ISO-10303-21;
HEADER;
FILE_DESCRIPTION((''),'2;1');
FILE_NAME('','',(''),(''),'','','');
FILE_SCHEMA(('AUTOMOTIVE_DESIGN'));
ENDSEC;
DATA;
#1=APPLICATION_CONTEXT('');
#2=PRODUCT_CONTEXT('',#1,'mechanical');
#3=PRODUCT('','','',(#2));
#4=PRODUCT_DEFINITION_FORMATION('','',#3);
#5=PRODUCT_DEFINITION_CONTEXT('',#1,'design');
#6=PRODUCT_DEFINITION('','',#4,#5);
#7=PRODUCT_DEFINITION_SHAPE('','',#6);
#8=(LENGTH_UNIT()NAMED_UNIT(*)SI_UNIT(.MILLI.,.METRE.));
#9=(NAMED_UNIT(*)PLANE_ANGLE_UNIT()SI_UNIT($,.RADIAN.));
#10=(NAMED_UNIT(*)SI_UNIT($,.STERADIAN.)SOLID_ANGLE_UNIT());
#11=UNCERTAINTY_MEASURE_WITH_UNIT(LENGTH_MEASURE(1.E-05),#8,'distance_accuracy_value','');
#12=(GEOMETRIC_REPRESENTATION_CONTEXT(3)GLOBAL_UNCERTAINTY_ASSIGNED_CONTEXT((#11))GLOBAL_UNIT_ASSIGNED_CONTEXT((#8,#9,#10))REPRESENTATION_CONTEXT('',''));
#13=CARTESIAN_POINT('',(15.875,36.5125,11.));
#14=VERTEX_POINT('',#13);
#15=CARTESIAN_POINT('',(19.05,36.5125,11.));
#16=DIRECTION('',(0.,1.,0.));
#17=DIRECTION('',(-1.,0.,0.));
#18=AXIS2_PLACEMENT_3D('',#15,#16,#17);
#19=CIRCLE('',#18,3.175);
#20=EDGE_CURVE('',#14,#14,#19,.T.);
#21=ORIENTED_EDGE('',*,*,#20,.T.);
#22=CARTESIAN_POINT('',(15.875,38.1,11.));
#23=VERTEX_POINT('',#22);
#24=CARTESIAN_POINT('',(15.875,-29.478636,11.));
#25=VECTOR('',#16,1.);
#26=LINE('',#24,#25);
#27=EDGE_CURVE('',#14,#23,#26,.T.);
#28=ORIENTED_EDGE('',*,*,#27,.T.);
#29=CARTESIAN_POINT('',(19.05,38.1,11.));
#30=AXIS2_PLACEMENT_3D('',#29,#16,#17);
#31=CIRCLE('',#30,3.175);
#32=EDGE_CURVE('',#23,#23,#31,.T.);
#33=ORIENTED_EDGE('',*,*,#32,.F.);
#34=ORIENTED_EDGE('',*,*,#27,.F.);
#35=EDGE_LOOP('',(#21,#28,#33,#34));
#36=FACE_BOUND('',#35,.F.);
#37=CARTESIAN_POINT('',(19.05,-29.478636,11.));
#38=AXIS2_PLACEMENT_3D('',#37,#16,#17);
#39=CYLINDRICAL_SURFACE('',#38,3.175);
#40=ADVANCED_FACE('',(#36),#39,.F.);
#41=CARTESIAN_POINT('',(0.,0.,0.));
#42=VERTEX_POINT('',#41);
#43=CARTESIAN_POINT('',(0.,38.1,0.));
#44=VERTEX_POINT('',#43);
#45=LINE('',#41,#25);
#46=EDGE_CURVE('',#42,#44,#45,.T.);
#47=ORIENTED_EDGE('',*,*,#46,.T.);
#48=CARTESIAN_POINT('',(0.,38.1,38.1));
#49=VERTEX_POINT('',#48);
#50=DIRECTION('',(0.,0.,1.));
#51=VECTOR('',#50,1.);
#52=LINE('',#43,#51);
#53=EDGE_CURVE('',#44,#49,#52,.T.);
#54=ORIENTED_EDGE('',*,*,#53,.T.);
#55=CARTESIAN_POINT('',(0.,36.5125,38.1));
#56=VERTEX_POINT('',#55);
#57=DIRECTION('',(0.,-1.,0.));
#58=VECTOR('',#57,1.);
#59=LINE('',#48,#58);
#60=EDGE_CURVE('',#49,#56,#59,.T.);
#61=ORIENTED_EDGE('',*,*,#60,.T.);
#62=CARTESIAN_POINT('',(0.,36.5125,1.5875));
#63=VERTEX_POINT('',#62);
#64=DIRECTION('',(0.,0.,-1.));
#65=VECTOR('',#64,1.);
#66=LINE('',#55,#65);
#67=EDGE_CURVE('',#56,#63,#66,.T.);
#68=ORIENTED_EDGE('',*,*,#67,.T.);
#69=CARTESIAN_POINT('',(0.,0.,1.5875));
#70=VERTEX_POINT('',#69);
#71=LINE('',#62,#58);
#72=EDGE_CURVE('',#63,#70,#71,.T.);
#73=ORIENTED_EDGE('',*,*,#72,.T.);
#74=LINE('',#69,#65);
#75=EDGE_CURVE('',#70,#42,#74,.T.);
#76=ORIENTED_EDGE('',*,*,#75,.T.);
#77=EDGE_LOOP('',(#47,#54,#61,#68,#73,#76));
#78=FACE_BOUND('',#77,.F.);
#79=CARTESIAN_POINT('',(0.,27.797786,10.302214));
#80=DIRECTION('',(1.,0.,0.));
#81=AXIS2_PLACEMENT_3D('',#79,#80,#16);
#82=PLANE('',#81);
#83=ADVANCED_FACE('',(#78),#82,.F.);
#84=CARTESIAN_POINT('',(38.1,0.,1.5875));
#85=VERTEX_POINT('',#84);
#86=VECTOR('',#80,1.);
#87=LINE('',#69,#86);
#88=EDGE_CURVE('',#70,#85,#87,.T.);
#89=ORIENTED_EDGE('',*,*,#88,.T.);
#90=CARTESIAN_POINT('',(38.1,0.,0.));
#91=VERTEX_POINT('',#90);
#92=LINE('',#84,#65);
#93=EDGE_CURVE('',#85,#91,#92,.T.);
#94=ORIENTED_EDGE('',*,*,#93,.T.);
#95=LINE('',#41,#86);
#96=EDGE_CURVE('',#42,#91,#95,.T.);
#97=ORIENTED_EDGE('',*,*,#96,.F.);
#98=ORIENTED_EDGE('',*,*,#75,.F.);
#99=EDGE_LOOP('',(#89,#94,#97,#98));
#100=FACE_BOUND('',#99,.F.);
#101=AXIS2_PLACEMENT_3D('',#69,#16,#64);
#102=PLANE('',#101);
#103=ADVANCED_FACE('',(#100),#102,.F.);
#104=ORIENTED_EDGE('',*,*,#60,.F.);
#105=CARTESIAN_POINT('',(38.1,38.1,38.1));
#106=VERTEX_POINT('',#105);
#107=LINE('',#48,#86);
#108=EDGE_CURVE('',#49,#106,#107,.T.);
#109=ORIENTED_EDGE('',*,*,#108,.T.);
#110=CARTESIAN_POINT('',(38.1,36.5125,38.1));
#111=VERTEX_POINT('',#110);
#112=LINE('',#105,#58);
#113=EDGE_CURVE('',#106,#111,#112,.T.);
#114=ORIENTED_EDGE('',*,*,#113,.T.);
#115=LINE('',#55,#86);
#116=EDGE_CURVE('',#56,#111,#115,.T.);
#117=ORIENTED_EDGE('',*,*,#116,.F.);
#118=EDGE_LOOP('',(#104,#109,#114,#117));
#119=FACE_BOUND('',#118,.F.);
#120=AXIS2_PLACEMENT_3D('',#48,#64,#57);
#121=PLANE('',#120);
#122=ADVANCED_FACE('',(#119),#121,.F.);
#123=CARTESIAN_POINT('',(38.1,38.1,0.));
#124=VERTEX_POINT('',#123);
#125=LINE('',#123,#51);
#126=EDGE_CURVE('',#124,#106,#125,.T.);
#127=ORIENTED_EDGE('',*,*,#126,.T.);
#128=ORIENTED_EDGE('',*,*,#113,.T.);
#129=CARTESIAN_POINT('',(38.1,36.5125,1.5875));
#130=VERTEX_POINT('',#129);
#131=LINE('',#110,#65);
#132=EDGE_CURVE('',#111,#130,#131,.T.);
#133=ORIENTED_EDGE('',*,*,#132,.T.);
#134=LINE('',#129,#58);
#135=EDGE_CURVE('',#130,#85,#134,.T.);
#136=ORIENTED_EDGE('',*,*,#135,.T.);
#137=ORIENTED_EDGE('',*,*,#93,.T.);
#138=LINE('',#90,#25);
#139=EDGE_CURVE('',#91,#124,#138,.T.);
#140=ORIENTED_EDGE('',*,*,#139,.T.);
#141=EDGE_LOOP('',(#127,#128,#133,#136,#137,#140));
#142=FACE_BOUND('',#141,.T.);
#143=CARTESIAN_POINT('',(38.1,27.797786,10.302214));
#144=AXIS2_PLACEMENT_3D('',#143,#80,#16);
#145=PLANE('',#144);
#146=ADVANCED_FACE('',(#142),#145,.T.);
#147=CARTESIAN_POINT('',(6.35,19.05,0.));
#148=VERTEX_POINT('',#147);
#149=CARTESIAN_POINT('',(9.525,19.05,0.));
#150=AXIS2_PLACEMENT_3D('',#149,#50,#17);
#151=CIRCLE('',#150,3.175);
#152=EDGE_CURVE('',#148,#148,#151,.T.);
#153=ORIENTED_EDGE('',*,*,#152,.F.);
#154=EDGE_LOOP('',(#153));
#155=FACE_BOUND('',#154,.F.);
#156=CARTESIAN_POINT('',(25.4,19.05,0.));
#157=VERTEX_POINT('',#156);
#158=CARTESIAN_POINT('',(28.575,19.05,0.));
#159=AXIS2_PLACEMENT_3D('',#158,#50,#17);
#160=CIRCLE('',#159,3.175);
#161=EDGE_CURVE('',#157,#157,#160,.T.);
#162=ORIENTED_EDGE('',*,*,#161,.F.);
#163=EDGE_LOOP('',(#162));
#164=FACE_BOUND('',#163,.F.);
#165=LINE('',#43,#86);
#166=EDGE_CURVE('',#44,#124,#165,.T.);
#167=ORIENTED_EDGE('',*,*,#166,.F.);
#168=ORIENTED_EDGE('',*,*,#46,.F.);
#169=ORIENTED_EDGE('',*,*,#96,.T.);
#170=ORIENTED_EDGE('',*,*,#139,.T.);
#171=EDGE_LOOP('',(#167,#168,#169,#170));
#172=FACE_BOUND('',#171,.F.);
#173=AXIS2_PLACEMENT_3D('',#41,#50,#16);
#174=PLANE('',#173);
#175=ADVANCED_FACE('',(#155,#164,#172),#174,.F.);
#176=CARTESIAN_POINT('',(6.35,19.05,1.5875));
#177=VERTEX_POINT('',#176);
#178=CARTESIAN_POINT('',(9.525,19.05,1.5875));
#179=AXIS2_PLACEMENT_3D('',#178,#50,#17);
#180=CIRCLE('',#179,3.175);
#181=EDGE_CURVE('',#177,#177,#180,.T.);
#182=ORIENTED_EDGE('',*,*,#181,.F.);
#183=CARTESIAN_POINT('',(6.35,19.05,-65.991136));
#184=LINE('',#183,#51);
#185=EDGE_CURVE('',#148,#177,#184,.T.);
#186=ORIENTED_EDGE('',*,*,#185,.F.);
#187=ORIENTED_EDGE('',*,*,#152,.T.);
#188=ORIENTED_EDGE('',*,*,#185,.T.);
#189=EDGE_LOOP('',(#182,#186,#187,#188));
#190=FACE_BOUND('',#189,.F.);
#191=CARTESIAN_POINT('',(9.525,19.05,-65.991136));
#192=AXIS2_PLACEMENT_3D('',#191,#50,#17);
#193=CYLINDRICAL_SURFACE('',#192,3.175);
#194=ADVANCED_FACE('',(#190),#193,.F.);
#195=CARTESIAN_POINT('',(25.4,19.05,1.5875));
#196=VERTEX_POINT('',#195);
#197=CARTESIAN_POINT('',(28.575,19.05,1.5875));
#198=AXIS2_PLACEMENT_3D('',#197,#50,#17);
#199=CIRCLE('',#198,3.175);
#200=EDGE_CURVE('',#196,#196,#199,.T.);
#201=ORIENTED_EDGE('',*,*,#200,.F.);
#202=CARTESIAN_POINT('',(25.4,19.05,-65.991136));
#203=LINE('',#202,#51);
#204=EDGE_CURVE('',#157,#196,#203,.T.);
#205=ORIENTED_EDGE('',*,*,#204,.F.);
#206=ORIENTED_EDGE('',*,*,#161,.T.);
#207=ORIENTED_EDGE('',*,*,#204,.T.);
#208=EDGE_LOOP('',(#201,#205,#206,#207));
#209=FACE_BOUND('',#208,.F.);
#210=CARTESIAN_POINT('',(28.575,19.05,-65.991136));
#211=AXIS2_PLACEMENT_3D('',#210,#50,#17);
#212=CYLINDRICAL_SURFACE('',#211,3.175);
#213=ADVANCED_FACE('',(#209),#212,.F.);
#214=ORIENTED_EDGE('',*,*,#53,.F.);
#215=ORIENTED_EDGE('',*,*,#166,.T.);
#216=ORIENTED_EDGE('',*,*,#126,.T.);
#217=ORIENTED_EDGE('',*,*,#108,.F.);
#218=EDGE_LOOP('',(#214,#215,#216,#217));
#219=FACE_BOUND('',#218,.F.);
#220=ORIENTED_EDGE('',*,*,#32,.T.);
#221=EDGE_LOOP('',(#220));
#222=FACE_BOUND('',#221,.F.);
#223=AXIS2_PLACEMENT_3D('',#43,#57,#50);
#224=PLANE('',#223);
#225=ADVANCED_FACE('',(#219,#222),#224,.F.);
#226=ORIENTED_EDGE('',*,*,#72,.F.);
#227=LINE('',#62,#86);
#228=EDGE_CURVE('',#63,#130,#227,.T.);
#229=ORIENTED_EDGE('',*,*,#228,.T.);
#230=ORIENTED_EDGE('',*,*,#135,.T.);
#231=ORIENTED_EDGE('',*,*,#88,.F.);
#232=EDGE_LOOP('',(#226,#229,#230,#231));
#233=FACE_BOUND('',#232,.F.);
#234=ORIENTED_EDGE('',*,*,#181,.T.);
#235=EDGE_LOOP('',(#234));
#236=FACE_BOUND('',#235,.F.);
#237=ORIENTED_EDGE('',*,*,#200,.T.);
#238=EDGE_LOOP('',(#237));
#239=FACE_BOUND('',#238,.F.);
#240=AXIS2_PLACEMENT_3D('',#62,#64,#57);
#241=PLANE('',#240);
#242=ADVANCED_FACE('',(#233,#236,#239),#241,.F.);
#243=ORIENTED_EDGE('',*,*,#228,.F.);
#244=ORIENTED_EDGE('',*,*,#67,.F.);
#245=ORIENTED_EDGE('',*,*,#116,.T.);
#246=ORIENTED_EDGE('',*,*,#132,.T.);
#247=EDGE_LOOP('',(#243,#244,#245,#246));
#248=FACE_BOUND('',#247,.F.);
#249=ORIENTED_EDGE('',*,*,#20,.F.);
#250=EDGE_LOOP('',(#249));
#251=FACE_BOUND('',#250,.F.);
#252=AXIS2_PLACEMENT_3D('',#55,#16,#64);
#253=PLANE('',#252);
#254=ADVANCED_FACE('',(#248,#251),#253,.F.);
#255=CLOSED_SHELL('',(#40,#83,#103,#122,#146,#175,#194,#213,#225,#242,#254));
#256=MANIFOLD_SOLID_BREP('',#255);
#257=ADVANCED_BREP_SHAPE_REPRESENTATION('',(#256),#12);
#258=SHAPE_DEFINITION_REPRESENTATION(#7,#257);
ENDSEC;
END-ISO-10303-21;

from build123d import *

# Parameters (mm, degrees)
F1_DEPTH = 38.1
F3_D     = 6.35
F5_D     = 6.35


with BuildPart() as f1:
    # F0 (on Right) → F1 (new body)
    with BuildSketch(Plane.YZ):
        Polygon((0, 1.5875), (0, 0), (38.1, 0), (38.1, 1.5875), (38.1, 38.1), (36.5125, 38.1), (36.5125, 1.5875), align=None)
    extrude(amount=F1_DEPTH)

    # F3 (through all)
    with Locations(Plane.XZ.offset(-36.5125)):
        with Locations((19.05, 11)):
            Hole(F3_D / 2)

    # F5 (through all)
    with Locations(Plane(origin=(0, 0, 0), x_dir=(1, 0, 0), z_dir=(0, 0, -1))):
        with Locations((9.525, -19.05), (28.575, -19.05)):
            Hole(F5_D / 2)


solid = f1.part
